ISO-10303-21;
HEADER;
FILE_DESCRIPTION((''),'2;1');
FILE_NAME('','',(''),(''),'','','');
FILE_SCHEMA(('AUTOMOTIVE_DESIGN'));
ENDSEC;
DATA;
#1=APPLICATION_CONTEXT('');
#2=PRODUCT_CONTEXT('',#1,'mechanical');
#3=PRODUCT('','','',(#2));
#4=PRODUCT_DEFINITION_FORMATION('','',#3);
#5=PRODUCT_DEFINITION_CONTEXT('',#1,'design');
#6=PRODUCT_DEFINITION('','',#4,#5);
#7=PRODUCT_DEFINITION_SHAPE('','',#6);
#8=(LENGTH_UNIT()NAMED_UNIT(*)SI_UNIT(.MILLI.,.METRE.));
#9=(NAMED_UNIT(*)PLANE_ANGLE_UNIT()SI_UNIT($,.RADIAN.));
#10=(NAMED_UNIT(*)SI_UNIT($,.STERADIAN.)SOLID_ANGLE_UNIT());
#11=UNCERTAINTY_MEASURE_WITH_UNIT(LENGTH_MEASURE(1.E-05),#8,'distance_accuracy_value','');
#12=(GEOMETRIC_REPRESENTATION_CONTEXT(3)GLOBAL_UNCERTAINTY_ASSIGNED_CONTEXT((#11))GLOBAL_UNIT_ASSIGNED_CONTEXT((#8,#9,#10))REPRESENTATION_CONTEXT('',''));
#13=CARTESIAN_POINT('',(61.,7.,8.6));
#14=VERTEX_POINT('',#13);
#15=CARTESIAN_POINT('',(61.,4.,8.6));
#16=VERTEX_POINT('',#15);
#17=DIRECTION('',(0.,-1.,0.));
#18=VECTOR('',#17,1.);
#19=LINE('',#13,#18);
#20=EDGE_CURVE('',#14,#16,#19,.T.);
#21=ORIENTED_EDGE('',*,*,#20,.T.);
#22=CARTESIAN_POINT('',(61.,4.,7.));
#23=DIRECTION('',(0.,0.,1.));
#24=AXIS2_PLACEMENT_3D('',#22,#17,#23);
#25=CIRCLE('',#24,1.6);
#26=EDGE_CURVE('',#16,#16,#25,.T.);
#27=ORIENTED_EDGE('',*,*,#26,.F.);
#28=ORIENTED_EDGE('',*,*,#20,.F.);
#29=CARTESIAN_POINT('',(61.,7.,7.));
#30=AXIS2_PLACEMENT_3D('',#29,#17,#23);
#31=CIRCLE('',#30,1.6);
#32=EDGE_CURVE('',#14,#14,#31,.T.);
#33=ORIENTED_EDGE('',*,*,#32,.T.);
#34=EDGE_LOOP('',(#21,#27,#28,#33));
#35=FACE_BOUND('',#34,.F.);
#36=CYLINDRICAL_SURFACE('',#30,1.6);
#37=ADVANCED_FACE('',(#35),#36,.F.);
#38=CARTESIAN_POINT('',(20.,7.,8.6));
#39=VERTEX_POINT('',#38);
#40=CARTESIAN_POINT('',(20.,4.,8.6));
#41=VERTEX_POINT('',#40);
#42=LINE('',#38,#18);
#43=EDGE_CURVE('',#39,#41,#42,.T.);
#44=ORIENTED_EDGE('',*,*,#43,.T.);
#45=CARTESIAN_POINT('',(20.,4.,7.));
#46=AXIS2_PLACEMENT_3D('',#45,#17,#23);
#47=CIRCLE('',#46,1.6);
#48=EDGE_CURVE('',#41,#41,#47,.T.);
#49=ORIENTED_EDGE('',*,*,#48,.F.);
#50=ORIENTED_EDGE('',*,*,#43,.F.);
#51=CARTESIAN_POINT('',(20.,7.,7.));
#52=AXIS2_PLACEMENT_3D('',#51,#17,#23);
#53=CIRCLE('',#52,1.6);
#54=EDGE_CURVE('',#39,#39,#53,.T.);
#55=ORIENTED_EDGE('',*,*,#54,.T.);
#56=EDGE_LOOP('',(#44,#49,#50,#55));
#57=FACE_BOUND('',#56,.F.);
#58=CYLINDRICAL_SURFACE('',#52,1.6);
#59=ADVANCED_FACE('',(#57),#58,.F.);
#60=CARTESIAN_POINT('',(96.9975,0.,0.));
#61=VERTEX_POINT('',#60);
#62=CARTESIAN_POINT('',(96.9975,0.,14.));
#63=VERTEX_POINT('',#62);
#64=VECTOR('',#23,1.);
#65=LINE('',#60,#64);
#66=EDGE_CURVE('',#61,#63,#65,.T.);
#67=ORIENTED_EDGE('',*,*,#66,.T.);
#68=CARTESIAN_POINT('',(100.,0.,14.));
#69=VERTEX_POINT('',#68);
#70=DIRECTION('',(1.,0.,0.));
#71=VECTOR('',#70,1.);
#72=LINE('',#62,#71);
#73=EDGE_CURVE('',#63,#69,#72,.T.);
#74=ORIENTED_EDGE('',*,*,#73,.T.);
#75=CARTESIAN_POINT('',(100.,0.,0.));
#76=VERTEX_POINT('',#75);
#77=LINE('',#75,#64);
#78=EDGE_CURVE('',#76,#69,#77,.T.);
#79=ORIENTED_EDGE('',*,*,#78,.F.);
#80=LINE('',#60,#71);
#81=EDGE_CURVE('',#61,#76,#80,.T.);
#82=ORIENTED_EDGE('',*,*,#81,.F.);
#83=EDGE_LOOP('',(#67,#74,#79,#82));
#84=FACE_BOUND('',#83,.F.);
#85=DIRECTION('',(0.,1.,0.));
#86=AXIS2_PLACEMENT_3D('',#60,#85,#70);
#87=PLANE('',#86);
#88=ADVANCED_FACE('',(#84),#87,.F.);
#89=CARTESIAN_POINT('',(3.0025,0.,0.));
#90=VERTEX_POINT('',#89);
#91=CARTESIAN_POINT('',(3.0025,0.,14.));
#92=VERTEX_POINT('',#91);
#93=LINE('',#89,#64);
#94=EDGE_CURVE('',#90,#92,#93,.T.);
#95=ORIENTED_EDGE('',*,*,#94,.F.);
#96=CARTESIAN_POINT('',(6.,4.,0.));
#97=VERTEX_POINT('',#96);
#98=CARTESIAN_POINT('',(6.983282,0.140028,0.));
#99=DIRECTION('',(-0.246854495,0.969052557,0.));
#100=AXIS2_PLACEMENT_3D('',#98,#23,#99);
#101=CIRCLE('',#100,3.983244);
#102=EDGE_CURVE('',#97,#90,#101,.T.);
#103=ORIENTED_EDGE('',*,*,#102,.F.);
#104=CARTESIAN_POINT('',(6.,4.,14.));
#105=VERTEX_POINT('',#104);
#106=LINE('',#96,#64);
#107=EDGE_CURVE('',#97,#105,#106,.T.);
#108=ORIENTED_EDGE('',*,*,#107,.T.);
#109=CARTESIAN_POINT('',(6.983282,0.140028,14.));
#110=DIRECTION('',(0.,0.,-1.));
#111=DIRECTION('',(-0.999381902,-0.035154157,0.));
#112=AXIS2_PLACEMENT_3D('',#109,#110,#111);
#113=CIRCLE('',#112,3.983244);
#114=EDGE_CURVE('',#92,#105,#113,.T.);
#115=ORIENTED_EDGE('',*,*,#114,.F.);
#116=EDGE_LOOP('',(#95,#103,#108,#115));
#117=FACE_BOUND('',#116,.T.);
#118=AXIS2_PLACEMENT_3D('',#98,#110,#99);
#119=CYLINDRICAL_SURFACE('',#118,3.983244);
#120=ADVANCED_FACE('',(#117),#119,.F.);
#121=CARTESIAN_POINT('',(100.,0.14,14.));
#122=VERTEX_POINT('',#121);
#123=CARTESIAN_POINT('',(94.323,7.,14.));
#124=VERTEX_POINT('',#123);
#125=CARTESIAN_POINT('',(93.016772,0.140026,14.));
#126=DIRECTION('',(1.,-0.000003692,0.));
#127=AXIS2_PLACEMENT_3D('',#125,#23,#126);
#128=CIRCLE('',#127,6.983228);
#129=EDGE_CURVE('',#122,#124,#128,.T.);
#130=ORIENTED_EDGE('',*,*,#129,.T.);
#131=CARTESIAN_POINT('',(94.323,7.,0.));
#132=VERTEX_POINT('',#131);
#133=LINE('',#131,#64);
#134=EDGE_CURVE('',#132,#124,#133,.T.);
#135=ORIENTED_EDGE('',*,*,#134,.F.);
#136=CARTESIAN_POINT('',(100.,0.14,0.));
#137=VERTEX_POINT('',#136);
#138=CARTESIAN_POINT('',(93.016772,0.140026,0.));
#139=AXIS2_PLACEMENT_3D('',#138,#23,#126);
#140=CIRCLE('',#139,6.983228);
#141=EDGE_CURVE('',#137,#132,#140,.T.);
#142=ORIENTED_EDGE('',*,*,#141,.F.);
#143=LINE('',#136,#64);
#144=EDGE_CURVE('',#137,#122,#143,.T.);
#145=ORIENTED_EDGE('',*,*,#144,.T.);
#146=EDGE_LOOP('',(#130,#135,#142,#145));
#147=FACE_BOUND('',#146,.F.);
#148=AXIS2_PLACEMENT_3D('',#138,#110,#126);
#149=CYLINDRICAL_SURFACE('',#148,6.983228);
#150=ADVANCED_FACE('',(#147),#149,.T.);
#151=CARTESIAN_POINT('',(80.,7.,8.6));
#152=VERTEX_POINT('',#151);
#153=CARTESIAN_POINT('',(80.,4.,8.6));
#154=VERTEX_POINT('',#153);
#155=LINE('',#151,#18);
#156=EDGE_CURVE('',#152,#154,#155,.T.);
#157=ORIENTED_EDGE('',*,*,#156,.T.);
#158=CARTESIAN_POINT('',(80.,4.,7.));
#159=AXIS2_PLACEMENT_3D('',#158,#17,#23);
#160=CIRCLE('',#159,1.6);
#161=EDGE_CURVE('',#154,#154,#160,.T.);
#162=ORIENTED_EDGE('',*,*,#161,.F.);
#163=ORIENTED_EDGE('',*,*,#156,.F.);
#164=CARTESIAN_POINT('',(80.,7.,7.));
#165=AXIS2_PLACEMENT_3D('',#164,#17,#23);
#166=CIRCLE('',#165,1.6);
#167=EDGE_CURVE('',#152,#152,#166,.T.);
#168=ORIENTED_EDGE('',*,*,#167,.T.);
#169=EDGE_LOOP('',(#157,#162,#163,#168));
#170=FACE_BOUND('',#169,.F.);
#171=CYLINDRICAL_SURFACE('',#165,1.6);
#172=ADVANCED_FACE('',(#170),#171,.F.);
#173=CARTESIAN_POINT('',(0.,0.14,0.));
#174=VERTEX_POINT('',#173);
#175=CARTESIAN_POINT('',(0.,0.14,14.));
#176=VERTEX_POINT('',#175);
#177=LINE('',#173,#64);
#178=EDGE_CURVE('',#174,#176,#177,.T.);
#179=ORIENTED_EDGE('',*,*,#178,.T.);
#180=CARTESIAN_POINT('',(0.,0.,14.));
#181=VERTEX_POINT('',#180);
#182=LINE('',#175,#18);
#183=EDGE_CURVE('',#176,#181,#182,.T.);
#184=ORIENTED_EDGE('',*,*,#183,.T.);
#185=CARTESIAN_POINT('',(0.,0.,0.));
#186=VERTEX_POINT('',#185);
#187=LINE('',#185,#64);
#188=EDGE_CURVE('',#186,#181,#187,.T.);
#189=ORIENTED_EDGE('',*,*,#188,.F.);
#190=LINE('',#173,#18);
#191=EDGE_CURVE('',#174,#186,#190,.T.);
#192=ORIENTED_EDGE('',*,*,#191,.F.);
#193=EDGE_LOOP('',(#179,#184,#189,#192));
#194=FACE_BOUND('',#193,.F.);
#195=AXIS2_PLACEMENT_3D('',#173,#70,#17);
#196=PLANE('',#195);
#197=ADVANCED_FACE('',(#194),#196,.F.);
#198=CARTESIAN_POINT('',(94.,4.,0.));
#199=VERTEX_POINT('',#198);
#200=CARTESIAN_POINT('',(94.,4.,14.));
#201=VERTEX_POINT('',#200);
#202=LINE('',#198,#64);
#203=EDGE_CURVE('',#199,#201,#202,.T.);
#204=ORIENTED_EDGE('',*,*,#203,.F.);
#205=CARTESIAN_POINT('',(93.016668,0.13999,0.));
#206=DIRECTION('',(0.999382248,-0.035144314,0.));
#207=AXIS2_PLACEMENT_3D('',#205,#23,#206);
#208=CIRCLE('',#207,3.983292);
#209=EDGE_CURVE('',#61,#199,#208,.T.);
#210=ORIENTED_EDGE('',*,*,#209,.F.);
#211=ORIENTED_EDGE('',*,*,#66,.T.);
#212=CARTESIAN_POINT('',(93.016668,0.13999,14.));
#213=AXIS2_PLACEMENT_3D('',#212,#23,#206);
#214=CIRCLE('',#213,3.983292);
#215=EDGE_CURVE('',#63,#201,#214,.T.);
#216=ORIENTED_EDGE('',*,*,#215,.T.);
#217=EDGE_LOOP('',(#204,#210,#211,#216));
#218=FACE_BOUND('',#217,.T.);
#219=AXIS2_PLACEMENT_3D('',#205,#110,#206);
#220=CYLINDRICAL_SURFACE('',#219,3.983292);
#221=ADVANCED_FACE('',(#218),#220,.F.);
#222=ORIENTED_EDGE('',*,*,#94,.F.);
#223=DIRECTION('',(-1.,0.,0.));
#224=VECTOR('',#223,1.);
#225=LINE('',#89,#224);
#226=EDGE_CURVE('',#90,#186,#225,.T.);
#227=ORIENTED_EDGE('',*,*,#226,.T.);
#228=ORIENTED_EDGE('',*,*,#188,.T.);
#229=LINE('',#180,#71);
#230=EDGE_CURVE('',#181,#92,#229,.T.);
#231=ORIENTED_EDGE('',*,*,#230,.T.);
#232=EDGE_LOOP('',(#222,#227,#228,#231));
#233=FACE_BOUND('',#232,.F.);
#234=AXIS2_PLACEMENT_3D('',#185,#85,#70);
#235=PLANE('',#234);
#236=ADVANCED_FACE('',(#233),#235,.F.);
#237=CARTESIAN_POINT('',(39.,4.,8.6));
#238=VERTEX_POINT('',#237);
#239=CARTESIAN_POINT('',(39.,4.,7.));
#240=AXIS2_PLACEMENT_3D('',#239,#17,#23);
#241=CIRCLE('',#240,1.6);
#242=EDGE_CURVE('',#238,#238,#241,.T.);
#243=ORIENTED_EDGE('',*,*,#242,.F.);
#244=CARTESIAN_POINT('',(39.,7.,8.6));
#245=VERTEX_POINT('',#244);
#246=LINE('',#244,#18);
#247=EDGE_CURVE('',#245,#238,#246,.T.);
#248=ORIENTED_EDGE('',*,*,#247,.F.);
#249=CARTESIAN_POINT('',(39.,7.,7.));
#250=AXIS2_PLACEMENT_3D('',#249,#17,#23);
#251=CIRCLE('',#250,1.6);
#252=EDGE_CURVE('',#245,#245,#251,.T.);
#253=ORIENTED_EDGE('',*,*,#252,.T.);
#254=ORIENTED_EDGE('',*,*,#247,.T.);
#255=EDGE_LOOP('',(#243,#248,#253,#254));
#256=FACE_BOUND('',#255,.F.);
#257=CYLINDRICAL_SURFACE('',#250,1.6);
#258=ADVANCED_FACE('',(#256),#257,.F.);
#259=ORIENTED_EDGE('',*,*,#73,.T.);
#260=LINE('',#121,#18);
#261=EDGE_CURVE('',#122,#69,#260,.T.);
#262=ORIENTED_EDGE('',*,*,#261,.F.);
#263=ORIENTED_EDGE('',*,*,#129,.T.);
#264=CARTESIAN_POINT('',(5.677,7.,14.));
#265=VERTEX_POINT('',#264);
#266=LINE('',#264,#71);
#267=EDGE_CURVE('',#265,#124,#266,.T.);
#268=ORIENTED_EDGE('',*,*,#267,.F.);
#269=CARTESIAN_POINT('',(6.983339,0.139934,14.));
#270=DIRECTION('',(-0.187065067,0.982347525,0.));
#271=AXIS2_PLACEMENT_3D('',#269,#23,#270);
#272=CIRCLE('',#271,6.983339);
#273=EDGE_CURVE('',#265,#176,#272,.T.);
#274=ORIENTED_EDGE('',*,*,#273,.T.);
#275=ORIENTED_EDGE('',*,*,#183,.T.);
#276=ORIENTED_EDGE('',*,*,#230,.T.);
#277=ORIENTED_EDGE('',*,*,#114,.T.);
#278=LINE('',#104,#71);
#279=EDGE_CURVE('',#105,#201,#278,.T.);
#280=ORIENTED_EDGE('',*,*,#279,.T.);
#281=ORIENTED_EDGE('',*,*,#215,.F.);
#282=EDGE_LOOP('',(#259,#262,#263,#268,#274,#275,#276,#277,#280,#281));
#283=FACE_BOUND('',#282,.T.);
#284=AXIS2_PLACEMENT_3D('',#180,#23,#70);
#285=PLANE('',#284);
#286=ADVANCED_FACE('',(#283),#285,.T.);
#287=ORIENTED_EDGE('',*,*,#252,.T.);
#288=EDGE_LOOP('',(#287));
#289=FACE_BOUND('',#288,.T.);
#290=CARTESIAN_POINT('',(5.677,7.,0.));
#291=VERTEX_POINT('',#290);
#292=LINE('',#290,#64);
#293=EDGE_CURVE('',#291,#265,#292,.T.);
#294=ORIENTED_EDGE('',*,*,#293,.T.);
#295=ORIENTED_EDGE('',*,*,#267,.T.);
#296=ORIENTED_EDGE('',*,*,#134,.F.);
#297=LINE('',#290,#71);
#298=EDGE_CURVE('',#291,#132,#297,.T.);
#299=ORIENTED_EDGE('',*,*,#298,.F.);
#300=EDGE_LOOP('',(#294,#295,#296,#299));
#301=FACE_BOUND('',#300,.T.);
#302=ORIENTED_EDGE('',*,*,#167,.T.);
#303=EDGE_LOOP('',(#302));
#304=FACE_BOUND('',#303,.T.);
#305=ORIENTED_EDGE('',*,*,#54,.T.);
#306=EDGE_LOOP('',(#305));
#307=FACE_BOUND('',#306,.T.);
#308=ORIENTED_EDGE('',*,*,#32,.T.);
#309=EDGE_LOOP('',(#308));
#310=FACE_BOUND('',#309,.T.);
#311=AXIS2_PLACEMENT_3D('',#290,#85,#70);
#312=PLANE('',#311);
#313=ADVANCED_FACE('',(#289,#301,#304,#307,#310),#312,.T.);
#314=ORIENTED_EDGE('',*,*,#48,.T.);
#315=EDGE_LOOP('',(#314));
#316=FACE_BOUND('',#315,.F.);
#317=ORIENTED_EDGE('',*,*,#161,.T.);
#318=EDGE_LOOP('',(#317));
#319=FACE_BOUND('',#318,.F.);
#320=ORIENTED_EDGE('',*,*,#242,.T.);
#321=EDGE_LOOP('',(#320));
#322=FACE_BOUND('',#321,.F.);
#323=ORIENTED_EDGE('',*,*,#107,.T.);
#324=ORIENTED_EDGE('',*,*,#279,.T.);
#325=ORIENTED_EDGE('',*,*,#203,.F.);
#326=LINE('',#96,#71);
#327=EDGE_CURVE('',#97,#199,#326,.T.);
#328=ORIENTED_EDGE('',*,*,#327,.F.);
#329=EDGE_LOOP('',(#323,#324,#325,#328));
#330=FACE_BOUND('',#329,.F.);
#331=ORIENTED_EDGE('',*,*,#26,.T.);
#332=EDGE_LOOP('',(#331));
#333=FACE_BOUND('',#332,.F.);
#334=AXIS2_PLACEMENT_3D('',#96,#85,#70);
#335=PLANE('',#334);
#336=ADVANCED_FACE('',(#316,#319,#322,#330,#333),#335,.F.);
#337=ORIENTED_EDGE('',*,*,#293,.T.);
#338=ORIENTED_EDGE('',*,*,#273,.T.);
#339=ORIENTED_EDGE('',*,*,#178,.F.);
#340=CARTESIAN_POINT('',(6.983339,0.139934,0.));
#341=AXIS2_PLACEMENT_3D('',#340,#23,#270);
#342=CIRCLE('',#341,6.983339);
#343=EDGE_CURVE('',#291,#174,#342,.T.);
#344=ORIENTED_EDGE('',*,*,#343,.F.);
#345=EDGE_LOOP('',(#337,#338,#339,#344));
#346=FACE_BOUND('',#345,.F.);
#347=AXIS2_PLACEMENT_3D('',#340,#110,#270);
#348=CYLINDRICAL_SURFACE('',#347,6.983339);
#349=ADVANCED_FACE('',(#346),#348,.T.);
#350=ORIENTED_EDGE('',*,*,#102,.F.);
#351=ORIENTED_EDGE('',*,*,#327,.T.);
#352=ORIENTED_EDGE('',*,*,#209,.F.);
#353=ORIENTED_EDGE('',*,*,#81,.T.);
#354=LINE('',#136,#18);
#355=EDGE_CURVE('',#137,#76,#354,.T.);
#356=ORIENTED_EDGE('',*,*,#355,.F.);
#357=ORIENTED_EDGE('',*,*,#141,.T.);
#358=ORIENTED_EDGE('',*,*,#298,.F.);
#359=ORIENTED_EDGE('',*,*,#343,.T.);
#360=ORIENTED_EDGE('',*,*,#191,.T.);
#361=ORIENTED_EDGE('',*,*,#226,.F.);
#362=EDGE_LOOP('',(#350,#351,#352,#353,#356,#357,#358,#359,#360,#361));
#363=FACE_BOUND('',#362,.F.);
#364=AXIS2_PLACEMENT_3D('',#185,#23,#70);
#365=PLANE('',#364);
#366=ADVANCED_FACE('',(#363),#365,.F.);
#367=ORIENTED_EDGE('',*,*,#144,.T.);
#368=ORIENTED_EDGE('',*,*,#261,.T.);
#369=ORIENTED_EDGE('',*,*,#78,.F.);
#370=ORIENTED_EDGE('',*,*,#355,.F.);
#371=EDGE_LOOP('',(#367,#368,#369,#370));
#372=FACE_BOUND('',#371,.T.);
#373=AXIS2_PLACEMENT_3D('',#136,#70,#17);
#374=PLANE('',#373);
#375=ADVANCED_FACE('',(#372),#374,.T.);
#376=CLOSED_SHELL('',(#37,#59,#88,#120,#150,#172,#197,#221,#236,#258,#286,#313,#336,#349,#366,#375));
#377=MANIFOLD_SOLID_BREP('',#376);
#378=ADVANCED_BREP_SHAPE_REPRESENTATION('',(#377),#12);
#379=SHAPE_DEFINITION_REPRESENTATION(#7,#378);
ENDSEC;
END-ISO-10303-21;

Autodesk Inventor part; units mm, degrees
ref_plane "YZ Plane" through (0, 0, 0) normal (1, 0, 0) x (0, 1, 0)
ref_plane "XZ Plane" through (0, 0, 0) normal (0, 1, 0) x (-1, 0, 0)
ref_plane "XY Plane" through (0, 0, 0) normal (0, 0, 1) x (1, 0, 0)
sketch "Sketch1" plane through (0, 0, 0) normal (0, 0, 1) x (1, 0, 0)
  line L0 (100, 0.14) -> (100, 0)
  line L1 (0, 0.14) -> (0, 0)
  arc A0 (96.9975, 0) -> (94, 4) centre (93.0167, 0.14) ccw
  arc A1 (100, 0.14) -> (94.323, 7) centre (93.0167, 0.14) ccw
  arc A2 (6, 4) -> (3.0025, 0) centre (6.9833, 0.14) ccw
  arc A3 (5.677, 7) -> (0, 0.14) centre (6.9833, 0.14) ccw
  line L2 (5.677, 7) -> (94.323, 7)
  line L3 (96.9975, 0) -> (100, 0)
  line L4 (6, 4) -> (94, 4)
  line L5 (3, 0.14) -> (3, 0)
  line L6 (0, 0) -> (3.0025, 0)
  dimension "d0" = 100
  dimension "d6" = 3
  dimension "d7" = 7
  dimension "d8" = 3
extrude "Extrusion1" add sketch "Sketch1" along normal blind 14
sketch "Sketch2" plane through (5.677, 7, 0) normal (0, 1, 0) x (1, 0, 0)
  line L0 (0, -14) -> (88.6461, -14) projected
  line L1 (0, 0) -> (88.6461, 0) projected
  line L2 (44.323, 0) -> (44.323, -14)
  point P0 (-5.677, 0)
  point P1 (14.323, -7)
  point P2 (33.323, -7)
  point P3 (55.323, -7)
  point P4 (74.323, -7)
  dimension "d11" = 22
  dimension "d12" = 60
  dimension "d13" = 11
  dimension "d14" = 30
  dimension "d15" = 7
hole "Hole1" at (20, 7, 7) at (39, 7, 7) at (61, 7, 7) at (80, 7, 7) direction (0, -1, 0) diameter 3.2 depth 3 tip angle 118
properties part number "LAMINA"
